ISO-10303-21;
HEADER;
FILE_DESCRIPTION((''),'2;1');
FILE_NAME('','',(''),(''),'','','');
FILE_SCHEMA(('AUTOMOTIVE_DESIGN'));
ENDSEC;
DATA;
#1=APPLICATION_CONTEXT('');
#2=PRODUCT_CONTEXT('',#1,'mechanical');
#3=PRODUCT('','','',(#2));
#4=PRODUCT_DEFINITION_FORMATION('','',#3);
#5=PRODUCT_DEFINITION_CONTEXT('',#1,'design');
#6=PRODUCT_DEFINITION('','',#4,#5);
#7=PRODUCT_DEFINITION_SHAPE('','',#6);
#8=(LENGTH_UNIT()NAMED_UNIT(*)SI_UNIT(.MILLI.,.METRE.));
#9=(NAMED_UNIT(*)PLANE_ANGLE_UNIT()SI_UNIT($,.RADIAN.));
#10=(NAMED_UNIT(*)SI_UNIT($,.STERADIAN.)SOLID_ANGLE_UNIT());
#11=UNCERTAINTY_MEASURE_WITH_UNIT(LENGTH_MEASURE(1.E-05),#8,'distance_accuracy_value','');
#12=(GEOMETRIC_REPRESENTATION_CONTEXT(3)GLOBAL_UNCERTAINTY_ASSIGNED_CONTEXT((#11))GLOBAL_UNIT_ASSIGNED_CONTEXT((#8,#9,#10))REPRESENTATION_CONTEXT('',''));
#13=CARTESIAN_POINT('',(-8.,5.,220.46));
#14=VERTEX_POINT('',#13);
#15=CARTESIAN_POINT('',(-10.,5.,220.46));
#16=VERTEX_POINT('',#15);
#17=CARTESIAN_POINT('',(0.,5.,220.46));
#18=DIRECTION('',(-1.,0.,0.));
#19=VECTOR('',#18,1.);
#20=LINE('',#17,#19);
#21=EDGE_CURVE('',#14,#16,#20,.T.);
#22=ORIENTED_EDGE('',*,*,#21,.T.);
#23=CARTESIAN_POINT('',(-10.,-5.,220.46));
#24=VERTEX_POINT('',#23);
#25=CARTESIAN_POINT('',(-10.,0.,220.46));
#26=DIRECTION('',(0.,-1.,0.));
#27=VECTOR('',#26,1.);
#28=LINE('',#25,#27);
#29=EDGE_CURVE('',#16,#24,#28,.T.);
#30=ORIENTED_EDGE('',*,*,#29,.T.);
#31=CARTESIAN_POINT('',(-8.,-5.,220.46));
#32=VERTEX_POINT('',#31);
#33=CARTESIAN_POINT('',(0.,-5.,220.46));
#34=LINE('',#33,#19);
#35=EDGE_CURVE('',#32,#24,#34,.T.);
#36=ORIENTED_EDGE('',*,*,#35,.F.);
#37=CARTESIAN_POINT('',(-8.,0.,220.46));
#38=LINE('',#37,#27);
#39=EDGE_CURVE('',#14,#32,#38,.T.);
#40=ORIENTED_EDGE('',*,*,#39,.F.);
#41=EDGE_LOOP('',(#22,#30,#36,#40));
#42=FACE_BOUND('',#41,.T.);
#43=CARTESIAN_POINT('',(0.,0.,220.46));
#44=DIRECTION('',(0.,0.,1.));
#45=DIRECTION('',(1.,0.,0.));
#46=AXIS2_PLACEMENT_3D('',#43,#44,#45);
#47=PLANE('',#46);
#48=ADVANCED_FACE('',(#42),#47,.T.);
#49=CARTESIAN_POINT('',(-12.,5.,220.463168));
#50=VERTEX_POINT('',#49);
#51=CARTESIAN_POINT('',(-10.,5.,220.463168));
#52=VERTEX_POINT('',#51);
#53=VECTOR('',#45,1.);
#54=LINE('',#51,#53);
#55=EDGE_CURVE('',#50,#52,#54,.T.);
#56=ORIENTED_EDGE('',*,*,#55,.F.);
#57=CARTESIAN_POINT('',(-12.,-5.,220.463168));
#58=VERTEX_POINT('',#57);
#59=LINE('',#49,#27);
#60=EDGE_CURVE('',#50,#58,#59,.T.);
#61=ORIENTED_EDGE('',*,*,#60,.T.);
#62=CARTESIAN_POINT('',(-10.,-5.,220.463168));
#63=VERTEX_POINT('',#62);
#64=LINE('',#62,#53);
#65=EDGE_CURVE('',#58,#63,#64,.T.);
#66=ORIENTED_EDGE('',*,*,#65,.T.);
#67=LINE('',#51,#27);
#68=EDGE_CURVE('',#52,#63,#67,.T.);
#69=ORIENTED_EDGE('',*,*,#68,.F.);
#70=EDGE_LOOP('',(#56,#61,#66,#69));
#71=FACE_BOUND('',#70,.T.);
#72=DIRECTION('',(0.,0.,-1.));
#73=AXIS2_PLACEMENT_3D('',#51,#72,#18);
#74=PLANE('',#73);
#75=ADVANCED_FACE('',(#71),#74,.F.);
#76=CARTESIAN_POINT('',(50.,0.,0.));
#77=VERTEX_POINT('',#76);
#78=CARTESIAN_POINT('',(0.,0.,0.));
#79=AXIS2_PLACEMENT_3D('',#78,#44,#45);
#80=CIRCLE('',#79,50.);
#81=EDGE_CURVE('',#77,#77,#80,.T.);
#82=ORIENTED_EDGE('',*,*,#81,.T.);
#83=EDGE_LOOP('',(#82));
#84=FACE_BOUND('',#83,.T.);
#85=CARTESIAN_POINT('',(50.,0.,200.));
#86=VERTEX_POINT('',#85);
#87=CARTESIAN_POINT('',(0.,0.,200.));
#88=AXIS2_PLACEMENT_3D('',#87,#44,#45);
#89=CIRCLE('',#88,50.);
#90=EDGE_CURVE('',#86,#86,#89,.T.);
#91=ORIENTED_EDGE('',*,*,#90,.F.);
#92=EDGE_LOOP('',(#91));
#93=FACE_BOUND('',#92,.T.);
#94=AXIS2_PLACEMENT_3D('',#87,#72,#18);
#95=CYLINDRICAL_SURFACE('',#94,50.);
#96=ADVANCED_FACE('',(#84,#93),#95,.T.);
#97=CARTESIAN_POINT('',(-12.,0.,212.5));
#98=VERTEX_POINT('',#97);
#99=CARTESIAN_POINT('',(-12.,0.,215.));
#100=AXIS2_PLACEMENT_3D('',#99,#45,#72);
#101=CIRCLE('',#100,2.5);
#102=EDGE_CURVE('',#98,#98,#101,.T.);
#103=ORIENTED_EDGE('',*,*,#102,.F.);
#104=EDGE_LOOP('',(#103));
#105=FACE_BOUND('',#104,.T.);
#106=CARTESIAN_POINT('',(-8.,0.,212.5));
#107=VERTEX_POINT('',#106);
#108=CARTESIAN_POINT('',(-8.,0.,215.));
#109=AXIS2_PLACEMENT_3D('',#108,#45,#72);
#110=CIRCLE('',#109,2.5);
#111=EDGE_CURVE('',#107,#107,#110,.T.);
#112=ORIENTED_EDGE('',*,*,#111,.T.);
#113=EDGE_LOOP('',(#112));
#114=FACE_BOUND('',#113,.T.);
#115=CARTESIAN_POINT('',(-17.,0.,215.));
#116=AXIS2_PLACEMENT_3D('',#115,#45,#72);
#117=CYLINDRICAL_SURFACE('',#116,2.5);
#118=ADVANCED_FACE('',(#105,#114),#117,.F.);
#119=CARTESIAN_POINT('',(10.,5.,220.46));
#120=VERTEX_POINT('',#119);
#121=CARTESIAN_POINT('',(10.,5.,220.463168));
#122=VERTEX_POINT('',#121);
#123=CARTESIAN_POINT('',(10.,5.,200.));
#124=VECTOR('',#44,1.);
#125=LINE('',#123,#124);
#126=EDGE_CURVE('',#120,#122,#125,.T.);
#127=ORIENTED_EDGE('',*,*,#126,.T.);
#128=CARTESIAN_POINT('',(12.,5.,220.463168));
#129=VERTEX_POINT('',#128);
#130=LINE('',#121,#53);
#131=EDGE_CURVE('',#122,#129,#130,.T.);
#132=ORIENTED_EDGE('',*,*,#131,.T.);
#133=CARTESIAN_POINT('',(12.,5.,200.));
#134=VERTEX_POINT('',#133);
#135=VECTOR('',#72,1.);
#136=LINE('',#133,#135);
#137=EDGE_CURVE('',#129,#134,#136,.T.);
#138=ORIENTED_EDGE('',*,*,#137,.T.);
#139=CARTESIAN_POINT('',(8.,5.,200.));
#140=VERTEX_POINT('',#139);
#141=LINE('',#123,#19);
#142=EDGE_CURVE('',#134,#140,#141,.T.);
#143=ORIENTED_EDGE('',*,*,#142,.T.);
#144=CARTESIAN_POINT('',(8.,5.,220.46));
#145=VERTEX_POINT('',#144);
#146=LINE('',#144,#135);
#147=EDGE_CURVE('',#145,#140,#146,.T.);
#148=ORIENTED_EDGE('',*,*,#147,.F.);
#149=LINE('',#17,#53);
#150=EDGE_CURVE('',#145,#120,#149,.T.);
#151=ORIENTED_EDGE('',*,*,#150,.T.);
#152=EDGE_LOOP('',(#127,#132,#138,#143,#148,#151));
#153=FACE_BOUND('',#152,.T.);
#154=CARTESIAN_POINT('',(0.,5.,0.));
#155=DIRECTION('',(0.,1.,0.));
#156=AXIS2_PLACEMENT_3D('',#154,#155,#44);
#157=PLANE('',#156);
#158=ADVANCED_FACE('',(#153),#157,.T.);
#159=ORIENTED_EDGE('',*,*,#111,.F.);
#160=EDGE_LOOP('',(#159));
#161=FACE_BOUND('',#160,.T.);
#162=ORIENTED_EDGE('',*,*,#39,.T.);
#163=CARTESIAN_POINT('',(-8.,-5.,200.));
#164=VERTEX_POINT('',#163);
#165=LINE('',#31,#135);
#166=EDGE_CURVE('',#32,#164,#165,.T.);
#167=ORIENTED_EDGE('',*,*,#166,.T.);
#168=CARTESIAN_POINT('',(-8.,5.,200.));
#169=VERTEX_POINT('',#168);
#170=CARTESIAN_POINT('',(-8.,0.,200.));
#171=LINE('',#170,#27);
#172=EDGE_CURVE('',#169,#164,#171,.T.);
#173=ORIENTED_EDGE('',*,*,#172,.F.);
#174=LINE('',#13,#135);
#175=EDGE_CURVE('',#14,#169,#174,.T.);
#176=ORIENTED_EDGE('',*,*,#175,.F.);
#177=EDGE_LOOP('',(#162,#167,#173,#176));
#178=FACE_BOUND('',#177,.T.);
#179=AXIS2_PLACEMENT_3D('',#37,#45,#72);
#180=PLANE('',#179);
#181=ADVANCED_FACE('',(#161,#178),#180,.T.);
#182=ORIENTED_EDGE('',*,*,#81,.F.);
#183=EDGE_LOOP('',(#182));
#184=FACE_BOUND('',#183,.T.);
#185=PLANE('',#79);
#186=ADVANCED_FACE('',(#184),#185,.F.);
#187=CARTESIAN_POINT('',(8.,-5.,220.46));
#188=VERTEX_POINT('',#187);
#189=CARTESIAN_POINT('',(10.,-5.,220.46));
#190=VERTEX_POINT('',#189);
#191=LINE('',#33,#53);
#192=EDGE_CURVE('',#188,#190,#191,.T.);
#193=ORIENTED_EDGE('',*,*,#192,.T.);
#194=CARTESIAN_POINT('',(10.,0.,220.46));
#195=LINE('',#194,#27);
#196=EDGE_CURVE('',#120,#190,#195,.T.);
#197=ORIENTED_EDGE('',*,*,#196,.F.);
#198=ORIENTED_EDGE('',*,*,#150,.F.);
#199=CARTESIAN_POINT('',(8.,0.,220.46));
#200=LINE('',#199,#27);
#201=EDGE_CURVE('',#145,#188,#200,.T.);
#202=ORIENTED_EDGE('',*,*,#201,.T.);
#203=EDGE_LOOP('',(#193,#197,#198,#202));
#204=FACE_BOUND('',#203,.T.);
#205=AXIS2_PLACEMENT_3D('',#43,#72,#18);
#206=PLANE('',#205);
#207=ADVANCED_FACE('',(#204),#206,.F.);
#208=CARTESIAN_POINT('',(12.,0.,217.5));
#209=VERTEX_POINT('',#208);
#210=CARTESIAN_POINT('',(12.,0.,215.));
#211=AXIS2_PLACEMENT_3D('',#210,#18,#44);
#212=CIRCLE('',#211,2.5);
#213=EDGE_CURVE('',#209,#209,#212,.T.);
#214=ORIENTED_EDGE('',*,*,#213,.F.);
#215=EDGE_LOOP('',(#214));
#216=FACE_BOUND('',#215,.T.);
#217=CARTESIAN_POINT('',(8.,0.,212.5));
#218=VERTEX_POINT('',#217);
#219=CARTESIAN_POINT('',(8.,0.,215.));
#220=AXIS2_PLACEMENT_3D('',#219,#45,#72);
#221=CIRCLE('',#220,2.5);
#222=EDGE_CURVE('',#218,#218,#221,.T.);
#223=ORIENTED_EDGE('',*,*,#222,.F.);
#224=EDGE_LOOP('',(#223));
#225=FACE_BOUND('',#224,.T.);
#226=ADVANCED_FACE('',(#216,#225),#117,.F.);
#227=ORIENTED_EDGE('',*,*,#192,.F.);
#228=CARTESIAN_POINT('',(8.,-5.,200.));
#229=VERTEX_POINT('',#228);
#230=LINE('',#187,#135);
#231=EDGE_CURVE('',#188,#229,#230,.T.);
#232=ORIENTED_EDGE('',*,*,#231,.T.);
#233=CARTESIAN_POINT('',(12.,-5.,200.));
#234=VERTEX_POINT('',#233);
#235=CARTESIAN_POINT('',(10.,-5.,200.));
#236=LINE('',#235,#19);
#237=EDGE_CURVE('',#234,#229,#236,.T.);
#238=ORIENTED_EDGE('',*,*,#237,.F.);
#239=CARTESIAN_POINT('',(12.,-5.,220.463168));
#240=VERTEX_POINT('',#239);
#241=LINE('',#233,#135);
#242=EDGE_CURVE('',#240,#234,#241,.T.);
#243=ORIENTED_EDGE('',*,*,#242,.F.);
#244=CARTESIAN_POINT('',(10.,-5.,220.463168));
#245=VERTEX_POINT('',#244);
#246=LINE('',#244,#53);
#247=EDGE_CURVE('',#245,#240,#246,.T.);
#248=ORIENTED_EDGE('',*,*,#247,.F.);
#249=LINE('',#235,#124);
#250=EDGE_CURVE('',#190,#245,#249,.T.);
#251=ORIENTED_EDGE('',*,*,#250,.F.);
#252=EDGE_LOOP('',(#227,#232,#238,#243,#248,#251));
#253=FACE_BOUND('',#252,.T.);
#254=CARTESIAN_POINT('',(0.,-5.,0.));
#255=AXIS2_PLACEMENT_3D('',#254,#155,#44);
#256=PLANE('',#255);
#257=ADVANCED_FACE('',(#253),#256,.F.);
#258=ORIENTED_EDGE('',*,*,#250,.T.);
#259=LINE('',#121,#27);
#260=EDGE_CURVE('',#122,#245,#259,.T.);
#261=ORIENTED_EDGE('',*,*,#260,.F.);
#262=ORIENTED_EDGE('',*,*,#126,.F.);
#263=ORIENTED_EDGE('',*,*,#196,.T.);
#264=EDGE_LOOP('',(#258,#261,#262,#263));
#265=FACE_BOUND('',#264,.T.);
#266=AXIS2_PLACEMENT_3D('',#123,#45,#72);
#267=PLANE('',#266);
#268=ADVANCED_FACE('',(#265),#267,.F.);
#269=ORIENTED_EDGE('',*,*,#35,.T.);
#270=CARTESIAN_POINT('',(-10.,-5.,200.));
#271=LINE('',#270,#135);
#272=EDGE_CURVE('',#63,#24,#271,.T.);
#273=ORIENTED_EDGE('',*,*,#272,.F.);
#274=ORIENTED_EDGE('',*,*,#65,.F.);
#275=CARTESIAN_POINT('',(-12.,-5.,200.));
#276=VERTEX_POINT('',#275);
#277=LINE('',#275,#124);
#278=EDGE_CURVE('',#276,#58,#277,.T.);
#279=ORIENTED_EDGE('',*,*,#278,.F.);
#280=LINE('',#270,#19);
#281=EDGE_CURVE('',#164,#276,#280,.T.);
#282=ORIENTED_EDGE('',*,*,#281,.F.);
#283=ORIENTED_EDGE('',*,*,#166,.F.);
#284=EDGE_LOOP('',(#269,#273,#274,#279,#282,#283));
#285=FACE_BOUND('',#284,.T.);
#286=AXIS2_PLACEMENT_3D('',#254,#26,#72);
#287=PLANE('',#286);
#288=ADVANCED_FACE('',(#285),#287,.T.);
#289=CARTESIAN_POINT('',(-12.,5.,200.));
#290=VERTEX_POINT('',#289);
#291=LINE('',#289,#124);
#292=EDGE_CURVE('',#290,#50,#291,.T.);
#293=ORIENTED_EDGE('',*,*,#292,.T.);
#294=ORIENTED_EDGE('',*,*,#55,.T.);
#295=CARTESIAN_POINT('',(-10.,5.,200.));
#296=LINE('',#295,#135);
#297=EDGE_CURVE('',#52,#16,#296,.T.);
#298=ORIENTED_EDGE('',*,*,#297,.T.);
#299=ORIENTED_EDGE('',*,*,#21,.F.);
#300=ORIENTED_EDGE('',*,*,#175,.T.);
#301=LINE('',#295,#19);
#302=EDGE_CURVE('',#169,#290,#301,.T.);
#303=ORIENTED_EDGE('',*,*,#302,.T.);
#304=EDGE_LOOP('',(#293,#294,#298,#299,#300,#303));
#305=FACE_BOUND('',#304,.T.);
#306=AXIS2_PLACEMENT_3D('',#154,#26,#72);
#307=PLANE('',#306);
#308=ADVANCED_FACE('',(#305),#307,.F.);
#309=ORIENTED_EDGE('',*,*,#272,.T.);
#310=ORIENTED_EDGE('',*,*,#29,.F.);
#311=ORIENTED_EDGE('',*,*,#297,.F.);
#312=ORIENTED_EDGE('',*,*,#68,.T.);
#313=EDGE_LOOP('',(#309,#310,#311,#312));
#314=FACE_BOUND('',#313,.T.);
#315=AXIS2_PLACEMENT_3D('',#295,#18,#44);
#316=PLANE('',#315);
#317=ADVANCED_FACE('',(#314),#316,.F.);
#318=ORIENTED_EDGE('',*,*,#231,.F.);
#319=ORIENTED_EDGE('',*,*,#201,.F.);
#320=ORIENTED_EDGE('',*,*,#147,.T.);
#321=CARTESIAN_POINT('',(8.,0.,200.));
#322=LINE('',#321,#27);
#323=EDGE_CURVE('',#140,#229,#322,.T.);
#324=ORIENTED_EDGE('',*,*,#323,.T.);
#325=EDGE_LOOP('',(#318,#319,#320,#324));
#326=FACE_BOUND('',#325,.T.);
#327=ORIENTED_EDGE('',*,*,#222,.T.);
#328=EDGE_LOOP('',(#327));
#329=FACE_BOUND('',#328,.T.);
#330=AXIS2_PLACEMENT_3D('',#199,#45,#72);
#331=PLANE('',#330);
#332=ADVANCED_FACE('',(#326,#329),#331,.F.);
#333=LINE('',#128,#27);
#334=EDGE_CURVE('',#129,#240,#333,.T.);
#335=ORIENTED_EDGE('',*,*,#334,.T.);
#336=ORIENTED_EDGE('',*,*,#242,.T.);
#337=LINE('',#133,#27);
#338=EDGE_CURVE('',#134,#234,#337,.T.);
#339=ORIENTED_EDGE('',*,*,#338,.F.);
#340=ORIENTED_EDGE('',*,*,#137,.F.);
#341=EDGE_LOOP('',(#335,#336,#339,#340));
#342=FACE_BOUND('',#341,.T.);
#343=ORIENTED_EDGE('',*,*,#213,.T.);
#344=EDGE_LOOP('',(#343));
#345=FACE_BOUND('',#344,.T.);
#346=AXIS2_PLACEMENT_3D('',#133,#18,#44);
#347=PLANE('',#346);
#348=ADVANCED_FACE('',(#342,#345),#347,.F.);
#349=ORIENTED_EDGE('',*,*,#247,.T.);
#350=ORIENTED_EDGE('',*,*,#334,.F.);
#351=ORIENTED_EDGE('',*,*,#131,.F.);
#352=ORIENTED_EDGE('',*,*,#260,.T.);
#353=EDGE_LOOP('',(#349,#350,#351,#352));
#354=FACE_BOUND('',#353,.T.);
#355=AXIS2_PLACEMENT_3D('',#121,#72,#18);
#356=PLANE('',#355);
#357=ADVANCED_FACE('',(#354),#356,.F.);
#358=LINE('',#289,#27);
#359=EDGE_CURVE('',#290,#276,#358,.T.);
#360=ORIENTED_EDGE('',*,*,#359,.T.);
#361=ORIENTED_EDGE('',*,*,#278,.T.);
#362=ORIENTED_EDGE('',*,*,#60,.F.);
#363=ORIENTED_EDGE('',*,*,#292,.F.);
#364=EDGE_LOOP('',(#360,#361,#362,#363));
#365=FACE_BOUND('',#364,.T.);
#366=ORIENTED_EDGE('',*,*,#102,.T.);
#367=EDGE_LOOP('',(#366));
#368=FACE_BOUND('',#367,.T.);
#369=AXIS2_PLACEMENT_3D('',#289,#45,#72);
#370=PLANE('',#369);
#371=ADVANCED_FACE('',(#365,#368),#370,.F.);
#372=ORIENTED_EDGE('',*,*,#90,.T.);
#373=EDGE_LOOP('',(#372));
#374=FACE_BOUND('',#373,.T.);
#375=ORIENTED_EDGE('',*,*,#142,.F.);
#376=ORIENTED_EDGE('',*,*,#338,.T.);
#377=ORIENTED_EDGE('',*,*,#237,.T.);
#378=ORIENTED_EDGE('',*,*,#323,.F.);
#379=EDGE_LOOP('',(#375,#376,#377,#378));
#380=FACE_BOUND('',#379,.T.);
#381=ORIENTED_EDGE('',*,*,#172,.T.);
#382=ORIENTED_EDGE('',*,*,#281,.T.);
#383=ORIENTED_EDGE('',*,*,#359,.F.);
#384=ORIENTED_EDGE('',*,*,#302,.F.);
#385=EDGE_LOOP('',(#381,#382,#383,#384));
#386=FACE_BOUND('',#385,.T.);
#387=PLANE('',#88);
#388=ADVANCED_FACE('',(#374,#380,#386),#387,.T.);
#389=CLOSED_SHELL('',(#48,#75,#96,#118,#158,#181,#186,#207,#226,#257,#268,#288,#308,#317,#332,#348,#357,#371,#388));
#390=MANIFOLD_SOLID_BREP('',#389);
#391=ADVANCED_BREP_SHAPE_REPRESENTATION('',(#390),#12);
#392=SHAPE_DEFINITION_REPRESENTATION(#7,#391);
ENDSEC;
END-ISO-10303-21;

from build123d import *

# Parameters (mm, degrees)
SKETCH1_R           = 50
BOSS_EXTRUDE1_DEPTH = 200
SKETCH2_W           = 2
SKETCH2_H           = 20.463168159
BOSS_EXTRUDE2_DEPTH = 5
SKETCH3_R           = 2.5
CUT_EXTRUDE1_DEPTH  = 17
BOSS_EXTRUDE3_START = 200
SKETCH4_W           = 2
SKETCH4_H           = 10
BOSS_EXTRUDE3_DEPTH = 20.46
SKETCH5_R           = 2.5
CUT_EXTRUDE2_DEPTH  = 12.5


with BuildPart() as part:
    # Sketch1 → Boss-Extrude1 (new body)
    with BuildSketch(Plane.XY):
        Circle(SKETCH1_R)
    extrude(amount=BOSS_EXTRUDE1_DEPTH)

    # Sketch2 → Boss-Extrude2 (add, symmetric)
    with BuildSketch(Plane(origin=(0, 0, 0), x_dir=(1, 0, 0), z_dir=(0, 1, 0))):
        with Locations((-11, -210.23158408)):
            Rectangle(SKETCH2_W, SKETCH2_H)
        with Locations((11, -210.23158408)):
            Rectangle(SKETCH2_W, SKETCH2_H)
    extrude(amount=BOSS_EXTRUDE2_DEPTH, both=True)

    # Sketch3 → Cut-Extrude1 (cut, symmetric)
    with BuildSketch(Plane(origin=(0, 0, 0), x_dir=(0, 0, -1), z_dir=(1, 0, 0))):
        with Locations((-215, 0)):
            Circle(SKETCH3_R)
    extrude(amount=CUT_EXTRUDE1_DEPTH, both=True, mode=Mode.SUBTRACT)

    # Sketch4 → Boss-Extrude3 (add)
    with BuildSketch(Plane.XY.offset(BOSS_EXTRUDE3_START)):
        with Locations((-9, 0)):
            Rectangle(SKETCH4_W, SKETCH4_H)
        with Locations((9, 0)):
            Rectangle(SKETCH4_W, SKETCH4_H)
    extrude(amount=BOSS_EXTRUDE3_DEPTH)

    # Sketch5 → Cut-Extrude2 (cut, symmetric)
    with BuildSketch(Plane(origin=(0, 0, 0), x_dir=(0, 0, -1), z_dir=(1, 0, 0))):
        with Locations((-215, 0)):
            Circle(SKETCH5_R)
    extrude(amount=CUT_EXTRUDE2_DEPTH, both=True, mode=Mode.SUBTRACT)


solid = part.part
